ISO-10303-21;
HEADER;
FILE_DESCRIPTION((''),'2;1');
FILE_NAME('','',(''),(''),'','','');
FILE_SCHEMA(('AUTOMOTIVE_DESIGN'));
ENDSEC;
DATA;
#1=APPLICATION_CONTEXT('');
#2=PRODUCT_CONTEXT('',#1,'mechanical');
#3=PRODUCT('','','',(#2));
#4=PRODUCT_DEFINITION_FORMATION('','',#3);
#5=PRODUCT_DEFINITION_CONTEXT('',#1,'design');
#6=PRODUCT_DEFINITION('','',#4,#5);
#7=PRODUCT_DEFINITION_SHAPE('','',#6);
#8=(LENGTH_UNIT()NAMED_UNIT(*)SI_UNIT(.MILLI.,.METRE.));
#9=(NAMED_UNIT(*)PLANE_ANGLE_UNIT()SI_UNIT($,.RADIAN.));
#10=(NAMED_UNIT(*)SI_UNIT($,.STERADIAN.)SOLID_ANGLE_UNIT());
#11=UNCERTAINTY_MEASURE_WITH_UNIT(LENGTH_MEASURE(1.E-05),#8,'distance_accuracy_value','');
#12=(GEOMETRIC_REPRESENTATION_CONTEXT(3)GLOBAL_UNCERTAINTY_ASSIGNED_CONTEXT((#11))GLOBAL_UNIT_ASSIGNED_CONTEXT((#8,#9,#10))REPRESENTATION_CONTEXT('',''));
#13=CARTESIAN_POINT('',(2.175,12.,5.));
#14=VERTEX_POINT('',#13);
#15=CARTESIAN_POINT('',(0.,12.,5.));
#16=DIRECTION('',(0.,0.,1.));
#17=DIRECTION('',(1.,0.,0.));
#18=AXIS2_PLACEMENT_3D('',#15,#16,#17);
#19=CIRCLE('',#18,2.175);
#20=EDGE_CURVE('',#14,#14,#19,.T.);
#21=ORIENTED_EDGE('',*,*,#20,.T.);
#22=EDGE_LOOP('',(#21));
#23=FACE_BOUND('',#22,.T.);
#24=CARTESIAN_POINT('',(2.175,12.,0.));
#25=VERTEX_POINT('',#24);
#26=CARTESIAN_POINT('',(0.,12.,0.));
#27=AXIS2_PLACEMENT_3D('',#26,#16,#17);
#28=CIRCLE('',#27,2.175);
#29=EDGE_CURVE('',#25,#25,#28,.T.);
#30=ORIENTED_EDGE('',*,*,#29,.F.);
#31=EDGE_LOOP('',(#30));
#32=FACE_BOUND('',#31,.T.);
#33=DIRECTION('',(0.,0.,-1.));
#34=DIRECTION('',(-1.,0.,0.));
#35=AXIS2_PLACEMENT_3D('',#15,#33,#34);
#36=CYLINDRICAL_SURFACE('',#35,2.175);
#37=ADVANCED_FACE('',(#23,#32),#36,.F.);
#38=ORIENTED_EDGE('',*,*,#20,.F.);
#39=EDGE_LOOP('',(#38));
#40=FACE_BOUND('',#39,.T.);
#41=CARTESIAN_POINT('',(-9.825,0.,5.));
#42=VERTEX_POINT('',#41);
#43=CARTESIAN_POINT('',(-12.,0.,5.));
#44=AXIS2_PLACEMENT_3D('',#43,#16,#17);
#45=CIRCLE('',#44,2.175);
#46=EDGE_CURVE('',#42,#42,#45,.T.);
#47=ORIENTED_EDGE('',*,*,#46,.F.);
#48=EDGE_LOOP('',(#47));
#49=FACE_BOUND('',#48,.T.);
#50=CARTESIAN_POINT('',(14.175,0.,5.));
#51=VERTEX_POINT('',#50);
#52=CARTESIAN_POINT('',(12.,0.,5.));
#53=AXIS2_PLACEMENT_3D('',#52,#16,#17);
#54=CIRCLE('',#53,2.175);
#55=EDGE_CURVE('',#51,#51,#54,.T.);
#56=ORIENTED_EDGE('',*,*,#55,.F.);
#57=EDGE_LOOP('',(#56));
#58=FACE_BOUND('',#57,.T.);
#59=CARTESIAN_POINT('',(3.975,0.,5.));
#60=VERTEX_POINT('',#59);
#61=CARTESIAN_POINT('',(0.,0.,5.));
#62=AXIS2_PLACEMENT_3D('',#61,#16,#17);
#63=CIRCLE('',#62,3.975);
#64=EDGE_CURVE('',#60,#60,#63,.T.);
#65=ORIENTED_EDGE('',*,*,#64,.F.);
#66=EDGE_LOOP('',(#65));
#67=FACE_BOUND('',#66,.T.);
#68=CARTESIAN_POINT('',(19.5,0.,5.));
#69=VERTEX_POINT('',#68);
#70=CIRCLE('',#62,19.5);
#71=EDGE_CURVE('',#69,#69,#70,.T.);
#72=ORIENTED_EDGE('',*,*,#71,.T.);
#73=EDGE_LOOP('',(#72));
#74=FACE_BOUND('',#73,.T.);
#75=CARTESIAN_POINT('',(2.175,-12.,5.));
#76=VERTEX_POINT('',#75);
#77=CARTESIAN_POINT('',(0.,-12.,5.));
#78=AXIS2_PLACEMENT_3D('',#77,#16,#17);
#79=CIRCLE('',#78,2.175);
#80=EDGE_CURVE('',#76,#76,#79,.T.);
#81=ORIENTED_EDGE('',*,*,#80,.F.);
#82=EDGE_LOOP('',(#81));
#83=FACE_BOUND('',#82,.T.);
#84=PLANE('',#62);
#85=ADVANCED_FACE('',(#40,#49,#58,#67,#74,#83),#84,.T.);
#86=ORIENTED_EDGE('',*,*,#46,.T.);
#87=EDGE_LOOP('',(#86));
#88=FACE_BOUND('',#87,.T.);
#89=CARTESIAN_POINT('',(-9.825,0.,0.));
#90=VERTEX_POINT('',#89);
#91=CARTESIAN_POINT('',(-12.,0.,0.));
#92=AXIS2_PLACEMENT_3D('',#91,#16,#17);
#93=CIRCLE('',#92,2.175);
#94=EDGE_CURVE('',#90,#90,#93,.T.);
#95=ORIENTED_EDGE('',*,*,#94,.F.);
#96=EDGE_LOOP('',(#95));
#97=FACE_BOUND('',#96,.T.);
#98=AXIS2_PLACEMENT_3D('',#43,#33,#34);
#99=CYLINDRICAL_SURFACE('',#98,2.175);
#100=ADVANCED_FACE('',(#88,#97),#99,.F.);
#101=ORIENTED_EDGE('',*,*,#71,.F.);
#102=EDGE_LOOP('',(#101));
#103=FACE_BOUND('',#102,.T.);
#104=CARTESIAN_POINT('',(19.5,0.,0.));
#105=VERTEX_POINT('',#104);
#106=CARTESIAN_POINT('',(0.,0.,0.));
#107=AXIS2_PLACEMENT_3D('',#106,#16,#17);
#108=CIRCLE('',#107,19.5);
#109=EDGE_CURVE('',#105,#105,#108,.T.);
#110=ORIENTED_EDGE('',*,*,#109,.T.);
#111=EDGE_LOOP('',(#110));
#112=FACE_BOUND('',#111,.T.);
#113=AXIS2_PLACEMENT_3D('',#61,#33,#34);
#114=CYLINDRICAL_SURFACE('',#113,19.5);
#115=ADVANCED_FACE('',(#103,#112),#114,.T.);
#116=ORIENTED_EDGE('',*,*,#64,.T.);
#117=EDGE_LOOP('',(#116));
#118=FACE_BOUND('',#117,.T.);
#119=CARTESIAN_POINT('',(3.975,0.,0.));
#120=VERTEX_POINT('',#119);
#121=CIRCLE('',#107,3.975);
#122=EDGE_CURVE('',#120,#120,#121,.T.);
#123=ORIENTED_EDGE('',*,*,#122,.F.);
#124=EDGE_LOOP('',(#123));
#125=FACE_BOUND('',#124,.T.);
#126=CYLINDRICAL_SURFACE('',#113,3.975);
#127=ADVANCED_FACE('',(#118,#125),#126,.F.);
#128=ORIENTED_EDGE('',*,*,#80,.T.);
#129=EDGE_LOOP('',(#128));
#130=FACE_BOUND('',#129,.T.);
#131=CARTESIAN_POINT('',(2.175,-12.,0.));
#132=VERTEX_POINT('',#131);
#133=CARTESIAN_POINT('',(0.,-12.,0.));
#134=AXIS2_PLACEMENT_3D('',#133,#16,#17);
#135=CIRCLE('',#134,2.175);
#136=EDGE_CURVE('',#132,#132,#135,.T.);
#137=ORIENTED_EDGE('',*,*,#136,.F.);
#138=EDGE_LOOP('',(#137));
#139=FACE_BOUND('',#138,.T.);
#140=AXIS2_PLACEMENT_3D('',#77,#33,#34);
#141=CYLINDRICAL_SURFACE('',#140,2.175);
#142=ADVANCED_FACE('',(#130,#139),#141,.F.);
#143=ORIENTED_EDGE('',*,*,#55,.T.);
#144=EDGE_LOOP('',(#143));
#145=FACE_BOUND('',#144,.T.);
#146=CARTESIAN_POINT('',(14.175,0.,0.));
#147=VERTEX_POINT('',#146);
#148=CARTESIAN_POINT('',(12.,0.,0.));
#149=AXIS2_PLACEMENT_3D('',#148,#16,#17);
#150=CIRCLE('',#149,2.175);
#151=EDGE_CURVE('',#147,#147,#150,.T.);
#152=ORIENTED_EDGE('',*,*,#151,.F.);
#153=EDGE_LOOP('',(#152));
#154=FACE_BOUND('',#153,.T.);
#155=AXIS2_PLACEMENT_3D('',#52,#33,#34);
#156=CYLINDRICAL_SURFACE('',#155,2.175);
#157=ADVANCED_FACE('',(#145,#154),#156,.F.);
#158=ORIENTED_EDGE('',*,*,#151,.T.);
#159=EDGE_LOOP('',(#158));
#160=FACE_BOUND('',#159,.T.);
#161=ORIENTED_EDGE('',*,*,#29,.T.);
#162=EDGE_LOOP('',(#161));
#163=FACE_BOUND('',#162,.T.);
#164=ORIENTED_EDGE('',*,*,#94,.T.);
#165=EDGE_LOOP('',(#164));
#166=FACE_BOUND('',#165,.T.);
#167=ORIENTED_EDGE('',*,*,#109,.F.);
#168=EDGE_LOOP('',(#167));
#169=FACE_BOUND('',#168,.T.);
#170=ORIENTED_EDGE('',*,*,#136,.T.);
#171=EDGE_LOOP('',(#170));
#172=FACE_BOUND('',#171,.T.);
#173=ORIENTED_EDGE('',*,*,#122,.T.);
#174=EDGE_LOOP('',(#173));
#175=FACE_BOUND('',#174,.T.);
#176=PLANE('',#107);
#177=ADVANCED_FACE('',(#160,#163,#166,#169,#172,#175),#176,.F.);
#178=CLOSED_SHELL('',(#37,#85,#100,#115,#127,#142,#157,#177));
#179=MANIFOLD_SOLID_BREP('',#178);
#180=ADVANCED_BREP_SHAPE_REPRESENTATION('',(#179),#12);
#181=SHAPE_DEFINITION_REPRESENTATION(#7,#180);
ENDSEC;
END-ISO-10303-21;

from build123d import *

# Parameters (mm, degrees)
SKETCH1_R           = 19.5
SKETCH1_R_2         = 2.175
SKETCH1_R_3         = 3.975
BOSS_EXTRUDE1_DEPTH = 5


with BuildPart() as part:
    # Sketch1 → Boss-Extrude1 (new body)
    with BuildSketch(Plane.XY):
        Circle(SKETCH1_R)
        with Locations((12, 0)):
            Circle(SKETCH1_R_2, mode=Mode.SUBTRACT)
        with Locations((0, 12)):
            Circle(SKETCH1_R_2, mode=Mode.SUBTRACT)
        with Locations((-12, 0)):
            Circle(SKETCH1_R_2, mode=Mode.SUBTRACT)
        with Locations((0, -12)):
            Circle(SKETCH1_R_2, mode=Mode.SUBTRACT)
        Circle(SKETCH1_R_3, mode=Mode.SUBTRACT)
    extrude(amount=BOSS_EXTRUDE1_DEPTH)


solid = part.part
